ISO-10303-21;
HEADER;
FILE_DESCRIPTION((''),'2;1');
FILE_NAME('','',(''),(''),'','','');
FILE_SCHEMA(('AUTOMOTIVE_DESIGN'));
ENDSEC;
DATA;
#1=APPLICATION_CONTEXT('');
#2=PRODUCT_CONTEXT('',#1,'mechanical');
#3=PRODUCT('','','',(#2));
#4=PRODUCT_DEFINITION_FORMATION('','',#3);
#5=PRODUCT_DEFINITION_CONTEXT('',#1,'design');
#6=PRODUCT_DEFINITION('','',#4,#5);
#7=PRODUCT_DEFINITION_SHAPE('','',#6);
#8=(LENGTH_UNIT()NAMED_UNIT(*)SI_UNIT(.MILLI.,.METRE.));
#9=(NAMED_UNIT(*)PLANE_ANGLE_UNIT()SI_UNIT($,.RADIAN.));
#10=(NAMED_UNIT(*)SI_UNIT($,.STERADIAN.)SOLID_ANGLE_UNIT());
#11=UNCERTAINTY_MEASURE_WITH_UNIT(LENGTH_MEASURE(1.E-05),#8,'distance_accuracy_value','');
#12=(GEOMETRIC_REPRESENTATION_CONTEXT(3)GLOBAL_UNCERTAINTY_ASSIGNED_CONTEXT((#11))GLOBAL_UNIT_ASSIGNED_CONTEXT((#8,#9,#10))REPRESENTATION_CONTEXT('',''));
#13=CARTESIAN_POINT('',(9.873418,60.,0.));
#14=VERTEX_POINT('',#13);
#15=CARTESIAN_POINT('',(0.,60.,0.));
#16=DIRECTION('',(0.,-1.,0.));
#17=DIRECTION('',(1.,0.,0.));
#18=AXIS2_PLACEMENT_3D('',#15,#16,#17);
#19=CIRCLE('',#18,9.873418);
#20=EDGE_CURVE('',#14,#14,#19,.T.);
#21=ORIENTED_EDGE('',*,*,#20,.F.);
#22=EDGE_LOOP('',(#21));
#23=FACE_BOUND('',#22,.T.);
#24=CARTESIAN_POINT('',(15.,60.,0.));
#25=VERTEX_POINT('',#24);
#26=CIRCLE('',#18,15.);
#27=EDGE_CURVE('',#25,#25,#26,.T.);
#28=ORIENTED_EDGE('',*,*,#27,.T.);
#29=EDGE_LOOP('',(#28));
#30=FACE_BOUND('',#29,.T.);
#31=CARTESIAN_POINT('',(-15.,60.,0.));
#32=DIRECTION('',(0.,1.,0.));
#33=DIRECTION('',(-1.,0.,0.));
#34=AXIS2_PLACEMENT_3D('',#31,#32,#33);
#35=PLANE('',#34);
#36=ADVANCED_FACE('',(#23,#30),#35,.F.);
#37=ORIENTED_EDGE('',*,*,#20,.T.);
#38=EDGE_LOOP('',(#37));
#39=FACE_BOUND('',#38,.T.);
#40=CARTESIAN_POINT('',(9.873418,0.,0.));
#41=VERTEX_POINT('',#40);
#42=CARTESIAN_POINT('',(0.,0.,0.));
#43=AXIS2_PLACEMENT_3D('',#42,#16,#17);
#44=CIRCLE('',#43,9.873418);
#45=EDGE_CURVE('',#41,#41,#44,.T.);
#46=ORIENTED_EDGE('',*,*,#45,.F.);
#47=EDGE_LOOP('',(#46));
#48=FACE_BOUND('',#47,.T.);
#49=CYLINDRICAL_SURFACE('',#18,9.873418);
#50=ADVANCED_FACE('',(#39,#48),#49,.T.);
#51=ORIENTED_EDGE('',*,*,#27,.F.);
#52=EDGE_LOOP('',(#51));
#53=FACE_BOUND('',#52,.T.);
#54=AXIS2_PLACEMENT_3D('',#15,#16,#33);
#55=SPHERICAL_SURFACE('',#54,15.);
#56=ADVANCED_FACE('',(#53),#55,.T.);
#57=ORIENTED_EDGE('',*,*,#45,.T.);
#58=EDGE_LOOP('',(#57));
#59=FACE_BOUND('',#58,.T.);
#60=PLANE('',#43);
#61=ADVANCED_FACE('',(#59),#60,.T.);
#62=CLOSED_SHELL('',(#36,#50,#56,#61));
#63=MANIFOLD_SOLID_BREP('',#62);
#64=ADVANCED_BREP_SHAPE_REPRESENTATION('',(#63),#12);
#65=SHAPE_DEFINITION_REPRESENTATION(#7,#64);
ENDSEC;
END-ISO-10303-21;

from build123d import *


with BuildPart() as part:
    # Sketch1 → Revolve1 (revolve)
    with BuildSketch(Plane.XY):
        with BuildLine():
            Line((-15, 60), (-9.873417722, 60))
            Line((-9.873417722, 60), (-9.873417722, 0))
            Line((-9.873417722, 0), (0, 0))
            Line((0, 0), (0, 60))
            Line((0, 60), (0, 75))
            ThreePointArc((0, 75), (-10.606601718, 70.606601718), (-15, 60))
        make_face()
    revolve(axis=Axis((0, 60, 0), (0, 1, 0)))


solid = part.part
